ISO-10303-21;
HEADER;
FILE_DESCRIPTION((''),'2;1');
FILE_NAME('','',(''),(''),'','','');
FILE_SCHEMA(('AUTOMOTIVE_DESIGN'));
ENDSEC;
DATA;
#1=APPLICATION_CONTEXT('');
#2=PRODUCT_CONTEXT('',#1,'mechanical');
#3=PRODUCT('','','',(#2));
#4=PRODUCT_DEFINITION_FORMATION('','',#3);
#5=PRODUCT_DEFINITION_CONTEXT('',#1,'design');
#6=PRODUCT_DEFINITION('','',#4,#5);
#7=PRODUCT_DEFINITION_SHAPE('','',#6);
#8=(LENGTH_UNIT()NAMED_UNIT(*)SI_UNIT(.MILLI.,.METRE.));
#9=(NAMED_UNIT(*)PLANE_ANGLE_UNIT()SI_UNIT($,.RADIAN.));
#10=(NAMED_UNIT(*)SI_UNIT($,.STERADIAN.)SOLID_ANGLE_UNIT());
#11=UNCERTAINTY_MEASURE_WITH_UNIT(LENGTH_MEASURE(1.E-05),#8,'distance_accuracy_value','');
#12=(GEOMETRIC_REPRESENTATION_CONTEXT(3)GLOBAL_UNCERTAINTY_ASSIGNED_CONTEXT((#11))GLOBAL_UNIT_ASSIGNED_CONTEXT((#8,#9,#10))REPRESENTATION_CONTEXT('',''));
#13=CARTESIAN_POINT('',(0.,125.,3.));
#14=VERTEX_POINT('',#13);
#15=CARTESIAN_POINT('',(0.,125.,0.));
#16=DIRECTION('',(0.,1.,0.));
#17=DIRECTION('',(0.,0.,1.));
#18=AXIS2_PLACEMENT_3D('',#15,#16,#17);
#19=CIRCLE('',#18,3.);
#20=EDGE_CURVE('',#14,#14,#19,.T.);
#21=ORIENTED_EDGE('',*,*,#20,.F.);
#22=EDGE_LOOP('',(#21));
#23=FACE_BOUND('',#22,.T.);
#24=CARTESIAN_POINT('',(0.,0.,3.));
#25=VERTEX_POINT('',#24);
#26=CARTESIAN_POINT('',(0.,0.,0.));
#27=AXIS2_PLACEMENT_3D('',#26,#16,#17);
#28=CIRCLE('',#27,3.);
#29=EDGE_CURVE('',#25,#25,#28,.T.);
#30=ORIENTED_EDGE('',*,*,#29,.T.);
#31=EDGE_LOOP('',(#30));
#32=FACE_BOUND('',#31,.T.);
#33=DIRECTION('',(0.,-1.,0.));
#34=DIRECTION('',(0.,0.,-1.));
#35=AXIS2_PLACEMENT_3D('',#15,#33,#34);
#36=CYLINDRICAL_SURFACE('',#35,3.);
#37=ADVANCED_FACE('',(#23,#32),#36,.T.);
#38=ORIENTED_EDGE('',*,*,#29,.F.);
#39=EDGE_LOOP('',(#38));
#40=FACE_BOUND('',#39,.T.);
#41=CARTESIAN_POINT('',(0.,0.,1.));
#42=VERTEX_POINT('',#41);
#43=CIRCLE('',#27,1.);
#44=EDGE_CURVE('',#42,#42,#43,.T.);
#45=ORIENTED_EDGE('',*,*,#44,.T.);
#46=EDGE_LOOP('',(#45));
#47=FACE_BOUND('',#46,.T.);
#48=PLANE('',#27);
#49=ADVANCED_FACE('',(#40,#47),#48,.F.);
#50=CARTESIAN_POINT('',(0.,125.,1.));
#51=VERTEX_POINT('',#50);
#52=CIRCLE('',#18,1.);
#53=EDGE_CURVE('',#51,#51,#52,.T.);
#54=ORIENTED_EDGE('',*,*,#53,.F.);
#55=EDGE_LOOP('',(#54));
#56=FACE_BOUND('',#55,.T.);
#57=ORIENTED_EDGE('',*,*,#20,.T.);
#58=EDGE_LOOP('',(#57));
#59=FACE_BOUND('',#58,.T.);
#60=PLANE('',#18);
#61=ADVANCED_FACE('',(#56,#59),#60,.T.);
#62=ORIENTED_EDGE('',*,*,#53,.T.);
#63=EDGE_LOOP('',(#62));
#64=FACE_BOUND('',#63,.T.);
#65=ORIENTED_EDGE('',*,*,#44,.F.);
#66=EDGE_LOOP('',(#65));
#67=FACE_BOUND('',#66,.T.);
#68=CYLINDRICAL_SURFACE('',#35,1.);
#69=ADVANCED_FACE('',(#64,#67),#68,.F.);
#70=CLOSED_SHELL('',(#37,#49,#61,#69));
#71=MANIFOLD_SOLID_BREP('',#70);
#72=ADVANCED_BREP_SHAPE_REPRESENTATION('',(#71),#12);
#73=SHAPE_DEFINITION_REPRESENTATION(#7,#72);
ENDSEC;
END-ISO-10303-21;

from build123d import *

# Parameters (mm, degrees)
SKETCH_1_R      = 3
SKETCH_1_R_2    = 1
EXTRUDE_1_DEPTH = 125


with BuildPart() as part:
    # 草图1 → 凸台-拉伸1 (new body)
    with BuildSketch(Plane(origin=(0, 0, 0), x_dir=(1, 0, 0), z_dir=(0, 1, 0))):
        Circle(SKETCH_1_R)
        Circle(SKETCH_1_R_2, mode=Mode.SUBTRACT)
    extrude(amount=EXTRUDE_1_DEPTH)


solid = part.part
